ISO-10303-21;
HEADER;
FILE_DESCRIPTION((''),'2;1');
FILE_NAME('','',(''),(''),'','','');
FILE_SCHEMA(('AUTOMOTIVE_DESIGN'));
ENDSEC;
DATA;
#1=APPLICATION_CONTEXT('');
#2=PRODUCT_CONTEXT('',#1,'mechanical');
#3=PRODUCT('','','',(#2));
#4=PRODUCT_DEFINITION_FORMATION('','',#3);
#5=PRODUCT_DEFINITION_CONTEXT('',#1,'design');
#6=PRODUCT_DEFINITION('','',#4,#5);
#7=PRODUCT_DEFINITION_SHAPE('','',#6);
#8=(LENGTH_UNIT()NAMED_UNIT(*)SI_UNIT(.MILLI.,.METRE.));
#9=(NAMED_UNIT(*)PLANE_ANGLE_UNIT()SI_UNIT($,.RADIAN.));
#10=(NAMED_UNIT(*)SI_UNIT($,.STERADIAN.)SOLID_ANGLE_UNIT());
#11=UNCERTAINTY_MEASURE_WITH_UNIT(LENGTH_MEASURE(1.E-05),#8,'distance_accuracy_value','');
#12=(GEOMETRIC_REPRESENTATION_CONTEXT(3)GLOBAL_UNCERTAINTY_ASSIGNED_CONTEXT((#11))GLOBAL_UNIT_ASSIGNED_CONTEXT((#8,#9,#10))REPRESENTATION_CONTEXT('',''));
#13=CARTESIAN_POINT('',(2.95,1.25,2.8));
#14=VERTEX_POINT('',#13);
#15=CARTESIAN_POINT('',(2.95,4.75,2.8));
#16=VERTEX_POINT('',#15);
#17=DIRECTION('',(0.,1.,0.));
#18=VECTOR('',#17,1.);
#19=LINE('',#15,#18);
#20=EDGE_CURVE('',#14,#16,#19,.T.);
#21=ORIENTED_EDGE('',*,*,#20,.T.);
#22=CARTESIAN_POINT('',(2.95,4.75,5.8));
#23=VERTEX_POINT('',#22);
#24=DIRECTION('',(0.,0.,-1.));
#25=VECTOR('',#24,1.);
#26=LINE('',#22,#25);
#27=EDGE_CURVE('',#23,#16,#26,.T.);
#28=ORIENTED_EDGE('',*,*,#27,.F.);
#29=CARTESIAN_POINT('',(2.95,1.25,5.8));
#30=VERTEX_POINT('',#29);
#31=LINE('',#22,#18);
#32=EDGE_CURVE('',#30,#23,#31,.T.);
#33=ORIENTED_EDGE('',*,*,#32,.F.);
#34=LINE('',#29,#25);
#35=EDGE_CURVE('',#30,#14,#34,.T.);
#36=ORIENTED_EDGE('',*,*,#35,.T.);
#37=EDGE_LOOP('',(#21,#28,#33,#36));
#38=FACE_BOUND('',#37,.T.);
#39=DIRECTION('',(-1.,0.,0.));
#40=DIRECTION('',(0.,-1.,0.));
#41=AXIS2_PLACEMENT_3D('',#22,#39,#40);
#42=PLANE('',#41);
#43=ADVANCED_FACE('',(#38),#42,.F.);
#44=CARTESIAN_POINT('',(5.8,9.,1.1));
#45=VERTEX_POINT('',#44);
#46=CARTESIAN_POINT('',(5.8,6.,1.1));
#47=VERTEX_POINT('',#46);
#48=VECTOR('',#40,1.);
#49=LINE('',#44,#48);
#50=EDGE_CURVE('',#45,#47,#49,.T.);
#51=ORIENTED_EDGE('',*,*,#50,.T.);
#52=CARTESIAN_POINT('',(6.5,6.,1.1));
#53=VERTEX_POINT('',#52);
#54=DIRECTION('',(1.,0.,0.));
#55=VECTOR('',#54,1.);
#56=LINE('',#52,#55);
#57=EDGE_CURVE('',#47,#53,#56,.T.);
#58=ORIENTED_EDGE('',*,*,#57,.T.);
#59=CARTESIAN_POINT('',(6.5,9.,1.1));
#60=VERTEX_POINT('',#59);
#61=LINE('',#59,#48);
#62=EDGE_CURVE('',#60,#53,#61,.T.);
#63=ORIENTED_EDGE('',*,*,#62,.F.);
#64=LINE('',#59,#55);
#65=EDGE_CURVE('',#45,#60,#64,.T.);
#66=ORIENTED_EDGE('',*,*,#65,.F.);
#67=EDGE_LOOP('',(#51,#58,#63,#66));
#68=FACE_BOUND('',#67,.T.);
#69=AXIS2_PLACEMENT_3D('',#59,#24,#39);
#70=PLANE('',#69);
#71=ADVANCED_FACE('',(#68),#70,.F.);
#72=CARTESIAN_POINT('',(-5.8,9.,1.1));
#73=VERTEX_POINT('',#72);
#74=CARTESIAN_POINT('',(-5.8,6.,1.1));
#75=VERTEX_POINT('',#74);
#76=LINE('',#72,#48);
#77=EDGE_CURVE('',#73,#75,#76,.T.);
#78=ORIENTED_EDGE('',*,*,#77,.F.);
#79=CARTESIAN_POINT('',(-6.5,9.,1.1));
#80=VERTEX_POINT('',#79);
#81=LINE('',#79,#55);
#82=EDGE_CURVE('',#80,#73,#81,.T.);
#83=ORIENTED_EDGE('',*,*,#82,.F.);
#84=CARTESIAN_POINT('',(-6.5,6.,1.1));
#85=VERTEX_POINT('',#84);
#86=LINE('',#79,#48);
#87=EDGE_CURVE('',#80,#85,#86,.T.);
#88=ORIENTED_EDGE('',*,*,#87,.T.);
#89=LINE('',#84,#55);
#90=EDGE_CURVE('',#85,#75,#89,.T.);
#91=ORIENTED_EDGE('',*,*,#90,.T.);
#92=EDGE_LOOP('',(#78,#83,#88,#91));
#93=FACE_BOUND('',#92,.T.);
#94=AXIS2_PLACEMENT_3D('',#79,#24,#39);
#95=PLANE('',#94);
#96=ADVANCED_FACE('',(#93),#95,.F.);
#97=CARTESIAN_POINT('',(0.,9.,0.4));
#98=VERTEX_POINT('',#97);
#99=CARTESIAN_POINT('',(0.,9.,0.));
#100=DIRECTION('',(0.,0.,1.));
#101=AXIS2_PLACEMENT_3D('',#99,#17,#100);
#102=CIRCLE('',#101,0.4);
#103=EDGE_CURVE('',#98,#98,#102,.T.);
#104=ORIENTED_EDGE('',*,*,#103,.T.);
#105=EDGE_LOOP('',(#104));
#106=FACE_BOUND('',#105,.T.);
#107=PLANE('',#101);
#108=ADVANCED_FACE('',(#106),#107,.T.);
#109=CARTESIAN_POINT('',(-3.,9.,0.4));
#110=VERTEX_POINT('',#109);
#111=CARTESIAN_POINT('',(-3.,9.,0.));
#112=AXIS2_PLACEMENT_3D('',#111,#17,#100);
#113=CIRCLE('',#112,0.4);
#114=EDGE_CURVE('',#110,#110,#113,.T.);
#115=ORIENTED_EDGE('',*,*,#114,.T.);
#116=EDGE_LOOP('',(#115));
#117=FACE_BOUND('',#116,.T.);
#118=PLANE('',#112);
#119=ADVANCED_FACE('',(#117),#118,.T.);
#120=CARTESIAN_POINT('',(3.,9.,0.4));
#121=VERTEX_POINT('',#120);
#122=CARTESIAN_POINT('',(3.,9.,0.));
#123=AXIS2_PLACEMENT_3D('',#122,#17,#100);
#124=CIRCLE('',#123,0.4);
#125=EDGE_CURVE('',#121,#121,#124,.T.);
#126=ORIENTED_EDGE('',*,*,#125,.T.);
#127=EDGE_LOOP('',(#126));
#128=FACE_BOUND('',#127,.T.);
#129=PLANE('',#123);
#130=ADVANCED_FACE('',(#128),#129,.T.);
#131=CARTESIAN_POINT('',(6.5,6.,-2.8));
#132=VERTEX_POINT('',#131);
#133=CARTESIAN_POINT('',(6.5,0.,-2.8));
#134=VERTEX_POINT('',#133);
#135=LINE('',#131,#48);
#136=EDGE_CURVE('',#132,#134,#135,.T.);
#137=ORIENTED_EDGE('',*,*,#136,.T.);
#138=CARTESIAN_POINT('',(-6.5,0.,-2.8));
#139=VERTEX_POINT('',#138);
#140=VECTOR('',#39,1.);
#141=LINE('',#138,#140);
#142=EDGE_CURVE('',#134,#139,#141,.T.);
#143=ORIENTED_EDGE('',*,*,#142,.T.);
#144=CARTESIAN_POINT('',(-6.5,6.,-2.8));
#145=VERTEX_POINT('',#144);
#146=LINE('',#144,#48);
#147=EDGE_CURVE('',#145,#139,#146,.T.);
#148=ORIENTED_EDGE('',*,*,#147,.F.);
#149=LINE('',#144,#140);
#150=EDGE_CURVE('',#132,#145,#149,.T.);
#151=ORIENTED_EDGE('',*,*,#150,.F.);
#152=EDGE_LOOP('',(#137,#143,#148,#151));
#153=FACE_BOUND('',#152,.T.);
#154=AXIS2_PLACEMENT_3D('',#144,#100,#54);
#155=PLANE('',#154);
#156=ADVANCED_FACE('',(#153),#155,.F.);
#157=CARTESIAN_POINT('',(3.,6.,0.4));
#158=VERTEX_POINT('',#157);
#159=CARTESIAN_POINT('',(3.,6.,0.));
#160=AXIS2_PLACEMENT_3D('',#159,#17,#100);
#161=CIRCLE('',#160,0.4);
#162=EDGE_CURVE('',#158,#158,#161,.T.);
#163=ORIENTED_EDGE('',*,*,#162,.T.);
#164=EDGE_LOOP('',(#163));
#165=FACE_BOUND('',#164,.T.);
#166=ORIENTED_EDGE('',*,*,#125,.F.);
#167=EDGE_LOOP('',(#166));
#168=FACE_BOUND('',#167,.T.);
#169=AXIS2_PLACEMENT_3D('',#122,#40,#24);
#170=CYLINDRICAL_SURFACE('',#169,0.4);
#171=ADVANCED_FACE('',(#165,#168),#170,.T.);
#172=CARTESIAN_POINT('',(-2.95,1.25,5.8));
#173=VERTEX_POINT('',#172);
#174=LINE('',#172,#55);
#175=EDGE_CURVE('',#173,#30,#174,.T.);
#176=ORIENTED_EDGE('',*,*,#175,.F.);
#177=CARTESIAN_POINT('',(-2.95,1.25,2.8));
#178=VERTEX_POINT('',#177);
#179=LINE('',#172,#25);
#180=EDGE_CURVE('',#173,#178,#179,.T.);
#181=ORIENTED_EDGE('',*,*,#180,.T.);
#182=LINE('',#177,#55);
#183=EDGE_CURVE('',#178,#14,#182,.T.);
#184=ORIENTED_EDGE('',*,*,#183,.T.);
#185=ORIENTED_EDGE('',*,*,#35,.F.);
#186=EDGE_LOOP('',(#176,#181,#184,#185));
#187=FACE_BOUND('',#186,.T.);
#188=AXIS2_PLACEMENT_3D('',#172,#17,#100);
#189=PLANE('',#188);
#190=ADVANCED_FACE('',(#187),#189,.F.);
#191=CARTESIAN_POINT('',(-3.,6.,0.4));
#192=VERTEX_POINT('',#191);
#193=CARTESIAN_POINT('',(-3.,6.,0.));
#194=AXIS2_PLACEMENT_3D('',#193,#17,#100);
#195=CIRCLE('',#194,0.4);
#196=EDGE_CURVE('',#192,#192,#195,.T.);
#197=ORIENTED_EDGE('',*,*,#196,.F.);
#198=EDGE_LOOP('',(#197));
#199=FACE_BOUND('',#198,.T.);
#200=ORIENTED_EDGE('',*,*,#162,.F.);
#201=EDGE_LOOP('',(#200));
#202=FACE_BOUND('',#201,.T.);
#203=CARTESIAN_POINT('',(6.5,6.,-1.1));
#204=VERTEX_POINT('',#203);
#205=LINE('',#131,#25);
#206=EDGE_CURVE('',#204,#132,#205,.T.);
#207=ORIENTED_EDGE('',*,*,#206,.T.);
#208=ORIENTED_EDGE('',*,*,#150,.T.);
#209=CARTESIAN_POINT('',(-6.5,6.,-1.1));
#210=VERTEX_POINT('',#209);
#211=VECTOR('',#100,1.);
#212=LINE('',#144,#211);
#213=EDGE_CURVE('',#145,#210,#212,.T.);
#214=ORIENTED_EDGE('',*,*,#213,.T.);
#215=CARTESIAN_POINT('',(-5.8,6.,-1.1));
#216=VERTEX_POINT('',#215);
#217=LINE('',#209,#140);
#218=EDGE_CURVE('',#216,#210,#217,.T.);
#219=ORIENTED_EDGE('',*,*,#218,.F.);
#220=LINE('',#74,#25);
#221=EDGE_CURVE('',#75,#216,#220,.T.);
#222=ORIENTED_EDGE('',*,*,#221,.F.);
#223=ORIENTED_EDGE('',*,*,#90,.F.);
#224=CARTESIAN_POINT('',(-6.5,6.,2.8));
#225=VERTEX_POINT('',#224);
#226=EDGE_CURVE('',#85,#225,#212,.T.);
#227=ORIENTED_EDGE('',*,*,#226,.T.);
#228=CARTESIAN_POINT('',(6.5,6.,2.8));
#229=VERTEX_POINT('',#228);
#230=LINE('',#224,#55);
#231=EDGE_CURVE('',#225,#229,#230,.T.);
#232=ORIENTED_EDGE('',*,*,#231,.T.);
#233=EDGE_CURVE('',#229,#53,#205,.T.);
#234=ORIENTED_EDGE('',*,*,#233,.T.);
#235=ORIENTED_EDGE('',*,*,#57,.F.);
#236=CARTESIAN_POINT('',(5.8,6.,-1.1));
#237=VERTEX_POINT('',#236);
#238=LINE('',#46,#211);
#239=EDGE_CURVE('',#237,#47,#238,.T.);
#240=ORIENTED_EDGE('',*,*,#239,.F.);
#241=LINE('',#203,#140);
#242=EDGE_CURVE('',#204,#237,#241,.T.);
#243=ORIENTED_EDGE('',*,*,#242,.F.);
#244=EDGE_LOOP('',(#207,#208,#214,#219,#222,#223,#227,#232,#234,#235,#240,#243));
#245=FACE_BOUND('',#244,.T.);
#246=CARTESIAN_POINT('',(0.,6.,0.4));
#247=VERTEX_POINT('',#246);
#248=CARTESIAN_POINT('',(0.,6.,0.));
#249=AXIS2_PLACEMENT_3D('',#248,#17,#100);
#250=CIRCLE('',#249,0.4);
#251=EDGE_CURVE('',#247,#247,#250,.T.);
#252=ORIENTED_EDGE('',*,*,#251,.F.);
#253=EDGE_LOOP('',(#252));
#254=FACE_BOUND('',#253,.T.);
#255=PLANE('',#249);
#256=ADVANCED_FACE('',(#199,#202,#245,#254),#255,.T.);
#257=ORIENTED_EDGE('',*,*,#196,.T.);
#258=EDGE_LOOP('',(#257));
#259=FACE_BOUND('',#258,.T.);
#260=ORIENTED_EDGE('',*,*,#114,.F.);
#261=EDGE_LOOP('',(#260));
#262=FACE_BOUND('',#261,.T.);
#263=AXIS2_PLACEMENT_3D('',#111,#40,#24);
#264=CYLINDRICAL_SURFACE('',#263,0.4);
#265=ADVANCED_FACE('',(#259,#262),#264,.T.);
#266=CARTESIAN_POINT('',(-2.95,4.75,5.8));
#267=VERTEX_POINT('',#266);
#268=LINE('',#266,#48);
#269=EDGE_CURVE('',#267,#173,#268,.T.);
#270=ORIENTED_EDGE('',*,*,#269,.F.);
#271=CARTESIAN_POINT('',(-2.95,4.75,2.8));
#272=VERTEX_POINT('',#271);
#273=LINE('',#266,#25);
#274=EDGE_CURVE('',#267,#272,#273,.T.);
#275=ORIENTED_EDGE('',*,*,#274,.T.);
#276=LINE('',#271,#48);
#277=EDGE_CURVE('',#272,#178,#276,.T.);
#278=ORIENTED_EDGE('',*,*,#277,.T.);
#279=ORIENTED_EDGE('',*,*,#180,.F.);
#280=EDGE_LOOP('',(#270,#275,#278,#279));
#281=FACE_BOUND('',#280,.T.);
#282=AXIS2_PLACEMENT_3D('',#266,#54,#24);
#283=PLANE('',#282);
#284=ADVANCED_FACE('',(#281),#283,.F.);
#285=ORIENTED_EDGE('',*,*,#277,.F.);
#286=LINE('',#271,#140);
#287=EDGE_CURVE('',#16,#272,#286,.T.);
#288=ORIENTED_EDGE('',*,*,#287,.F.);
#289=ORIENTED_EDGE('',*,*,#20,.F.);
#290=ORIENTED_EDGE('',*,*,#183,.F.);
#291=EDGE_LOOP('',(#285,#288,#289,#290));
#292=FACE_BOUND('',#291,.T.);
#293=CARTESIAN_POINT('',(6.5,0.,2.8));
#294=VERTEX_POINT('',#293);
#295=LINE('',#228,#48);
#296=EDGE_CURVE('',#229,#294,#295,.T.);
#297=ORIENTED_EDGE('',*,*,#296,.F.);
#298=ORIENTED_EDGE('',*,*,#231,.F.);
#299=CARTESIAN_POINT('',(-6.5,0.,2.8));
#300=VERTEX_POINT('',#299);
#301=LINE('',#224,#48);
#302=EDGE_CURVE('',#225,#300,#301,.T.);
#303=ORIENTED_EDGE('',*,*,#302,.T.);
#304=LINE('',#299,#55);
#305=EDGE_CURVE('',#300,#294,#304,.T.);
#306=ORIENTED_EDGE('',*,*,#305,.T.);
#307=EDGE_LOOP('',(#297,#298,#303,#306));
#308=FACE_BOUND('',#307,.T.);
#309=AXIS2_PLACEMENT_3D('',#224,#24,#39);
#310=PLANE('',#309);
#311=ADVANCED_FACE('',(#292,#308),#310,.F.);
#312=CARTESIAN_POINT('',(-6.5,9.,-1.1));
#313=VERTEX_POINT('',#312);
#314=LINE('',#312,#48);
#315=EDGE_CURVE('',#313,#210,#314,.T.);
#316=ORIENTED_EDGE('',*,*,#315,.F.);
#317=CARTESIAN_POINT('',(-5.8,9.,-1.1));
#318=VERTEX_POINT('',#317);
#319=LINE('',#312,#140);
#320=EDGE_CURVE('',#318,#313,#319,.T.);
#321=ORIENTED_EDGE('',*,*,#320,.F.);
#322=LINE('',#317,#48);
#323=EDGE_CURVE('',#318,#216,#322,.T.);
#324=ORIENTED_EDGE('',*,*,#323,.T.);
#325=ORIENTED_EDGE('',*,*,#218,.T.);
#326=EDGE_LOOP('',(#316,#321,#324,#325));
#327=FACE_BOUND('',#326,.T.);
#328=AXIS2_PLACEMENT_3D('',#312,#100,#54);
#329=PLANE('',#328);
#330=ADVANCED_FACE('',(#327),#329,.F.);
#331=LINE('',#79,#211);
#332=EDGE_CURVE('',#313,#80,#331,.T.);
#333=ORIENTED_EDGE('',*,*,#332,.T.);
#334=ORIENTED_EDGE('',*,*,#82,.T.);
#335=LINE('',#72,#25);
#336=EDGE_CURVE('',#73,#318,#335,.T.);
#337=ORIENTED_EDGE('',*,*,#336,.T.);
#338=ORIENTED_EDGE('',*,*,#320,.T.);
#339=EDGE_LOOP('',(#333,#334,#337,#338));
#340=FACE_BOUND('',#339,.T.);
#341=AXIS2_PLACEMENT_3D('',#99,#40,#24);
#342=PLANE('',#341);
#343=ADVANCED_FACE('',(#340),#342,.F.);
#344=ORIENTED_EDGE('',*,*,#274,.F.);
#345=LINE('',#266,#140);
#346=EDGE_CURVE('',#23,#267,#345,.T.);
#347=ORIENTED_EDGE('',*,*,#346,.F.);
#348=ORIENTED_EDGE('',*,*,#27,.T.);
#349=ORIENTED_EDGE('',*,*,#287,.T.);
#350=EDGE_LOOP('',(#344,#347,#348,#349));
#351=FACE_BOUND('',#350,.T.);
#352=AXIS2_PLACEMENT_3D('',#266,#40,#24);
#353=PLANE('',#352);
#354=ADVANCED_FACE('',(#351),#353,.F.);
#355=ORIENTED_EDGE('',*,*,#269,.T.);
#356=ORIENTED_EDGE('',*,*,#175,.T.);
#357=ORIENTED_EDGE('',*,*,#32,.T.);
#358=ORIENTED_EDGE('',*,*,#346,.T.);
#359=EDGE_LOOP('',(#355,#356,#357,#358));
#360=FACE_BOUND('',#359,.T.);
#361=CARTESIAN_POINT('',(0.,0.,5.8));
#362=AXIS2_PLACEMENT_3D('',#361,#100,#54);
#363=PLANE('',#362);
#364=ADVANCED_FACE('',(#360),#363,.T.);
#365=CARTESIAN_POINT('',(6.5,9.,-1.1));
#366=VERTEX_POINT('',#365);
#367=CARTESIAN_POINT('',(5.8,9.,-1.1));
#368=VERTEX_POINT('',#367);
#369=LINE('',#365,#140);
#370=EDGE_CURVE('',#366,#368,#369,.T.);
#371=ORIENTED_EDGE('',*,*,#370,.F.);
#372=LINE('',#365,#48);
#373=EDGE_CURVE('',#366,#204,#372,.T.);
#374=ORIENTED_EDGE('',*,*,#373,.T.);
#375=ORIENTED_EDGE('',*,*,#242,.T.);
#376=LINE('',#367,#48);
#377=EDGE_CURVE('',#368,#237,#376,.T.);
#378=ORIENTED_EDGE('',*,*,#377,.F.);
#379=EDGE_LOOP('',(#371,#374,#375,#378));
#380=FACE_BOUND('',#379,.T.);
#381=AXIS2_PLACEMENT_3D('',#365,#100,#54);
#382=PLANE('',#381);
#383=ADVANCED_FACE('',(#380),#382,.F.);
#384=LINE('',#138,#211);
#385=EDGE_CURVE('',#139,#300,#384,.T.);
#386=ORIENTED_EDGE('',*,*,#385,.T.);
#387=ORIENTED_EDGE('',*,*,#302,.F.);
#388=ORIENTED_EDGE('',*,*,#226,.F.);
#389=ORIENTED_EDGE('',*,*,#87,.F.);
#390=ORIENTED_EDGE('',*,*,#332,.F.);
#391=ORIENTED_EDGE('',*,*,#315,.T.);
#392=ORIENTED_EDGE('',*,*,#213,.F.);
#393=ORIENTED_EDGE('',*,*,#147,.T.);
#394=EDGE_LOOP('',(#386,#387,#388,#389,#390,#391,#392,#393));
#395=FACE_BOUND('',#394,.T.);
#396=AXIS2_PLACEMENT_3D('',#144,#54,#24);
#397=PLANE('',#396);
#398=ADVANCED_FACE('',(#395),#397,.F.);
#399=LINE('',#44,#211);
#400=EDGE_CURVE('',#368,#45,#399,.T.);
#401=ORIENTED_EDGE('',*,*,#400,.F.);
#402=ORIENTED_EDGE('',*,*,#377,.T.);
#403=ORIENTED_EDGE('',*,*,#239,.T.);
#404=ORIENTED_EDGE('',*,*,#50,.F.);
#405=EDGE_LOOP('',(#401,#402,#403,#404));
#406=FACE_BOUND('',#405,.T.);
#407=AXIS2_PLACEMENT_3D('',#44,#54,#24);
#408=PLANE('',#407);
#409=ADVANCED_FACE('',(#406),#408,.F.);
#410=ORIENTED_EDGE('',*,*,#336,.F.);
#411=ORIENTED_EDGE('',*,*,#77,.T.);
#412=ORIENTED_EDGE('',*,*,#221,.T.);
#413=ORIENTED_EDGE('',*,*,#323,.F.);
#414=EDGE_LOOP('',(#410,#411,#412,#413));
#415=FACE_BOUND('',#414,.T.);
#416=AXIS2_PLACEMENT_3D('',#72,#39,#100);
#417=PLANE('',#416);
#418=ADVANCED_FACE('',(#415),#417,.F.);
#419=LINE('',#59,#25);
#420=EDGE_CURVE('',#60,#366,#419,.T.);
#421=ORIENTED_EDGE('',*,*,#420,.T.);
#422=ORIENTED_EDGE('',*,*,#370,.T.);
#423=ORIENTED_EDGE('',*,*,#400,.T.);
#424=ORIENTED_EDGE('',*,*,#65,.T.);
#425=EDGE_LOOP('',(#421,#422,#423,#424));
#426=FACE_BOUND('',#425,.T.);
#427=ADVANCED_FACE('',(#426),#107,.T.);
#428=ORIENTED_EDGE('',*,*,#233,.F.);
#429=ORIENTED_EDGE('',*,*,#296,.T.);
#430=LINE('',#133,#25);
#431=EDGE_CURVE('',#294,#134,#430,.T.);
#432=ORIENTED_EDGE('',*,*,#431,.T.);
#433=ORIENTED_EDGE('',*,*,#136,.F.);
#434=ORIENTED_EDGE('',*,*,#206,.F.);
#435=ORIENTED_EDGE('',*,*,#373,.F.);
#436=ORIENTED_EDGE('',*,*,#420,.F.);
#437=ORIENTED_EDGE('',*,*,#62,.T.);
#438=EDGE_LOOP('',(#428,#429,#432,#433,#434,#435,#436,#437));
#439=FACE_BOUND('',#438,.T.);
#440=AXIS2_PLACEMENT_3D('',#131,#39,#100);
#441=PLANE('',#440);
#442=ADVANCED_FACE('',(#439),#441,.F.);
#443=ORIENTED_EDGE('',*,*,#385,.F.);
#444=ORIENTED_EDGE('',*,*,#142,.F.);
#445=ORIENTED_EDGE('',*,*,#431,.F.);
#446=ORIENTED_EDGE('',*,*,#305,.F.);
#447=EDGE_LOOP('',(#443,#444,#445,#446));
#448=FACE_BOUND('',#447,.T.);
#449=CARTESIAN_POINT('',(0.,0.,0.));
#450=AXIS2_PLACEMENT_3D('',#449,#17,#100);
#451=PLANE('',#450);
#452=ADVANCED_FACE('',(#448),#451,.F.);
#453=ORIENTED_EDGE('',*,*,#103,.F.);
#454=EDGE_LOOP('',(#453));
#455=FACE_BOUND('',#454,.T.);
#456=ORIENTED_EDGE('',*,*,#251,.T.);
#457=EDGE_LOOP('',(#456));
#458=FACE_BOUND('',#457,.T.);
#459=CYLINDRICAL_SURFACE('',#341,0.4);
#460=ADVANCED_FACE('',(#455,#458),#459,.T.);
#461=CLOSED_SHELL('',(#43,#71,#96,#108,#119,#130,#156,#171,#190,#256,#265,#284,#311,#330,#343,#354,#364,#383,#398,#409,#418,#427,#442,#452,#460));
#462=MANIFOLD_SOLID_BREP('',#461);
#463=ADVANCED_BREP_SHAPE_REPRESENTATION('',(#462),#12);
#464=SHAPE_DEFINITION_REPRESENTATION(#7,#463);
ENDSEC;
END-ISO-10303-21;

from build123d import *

# Parameters (mm, degrees)
SKETCH1_W           = 13
SKETCH1_H           = 5.6
BOSS_EXTRUDE1_DEPTH = 6
SKETCH2_R           = 0.4
SKETCH2_W           = 0.7
SKETCH2_H           = 2.2
BOSS_EXTRUDE2_DEPTH = 3
SKETCH3_W           = 5.9
SKETCH3_H           = 3.5
BOSS_EXTRUDE3_DEPTH = 3


with BuildPart() as part:
    # Sketch1 → Boss-Extrude1 (new body)
    with BuildSketch(Plane(origin=(0, 0, 0), x_dir=(1, 0, 0), z_dir=(0, 1, 0))):
        Rectangle(SKETCH1_W, SKETCH1_H)
    extrude(amount=BOSS_EXTRUDE1_DEPTH)

    # Sketch2 → Boss-Extrude2 (add)
    with BuildSketch(Plane(origin=(0, 6, 0), x_dir=(1, 0, 0), z_dir=(0, 1, 0))):
        with Locations(Location((-3, 0, 0), (0, 0, 270))):
            Circle(SKETCH2_R)
        with Locations(Location((0, 0, 0), (0, 0, 270))):
            Circle(SKETCH2_R)
        with Locations(Location((3, 0, 0), (0, 0, 270))):
            Circle(SKETCH2_R)
        with Locations((-6.15, 0)):
            Rectangle(SKETCH2_W, SKETCH2_H)
        with Locations((6.15, 0)):
            Rectangle(SKETCH2_W, SKETCH2_H)
    extrude(amount=BOSS_EXTRUDE2_DEPTH)

    # Sketch3 → Boss-Extrude3 (add)
    with BuildSketch(Plane.XY.offset(2.8)):
        with Locations((0, 3)):
            Rectangle(SKETCH3_W, SKETCH3_H)
    extrude(amount=BOSS_EXTRUDE3_DEPTH)


solid = part.part
